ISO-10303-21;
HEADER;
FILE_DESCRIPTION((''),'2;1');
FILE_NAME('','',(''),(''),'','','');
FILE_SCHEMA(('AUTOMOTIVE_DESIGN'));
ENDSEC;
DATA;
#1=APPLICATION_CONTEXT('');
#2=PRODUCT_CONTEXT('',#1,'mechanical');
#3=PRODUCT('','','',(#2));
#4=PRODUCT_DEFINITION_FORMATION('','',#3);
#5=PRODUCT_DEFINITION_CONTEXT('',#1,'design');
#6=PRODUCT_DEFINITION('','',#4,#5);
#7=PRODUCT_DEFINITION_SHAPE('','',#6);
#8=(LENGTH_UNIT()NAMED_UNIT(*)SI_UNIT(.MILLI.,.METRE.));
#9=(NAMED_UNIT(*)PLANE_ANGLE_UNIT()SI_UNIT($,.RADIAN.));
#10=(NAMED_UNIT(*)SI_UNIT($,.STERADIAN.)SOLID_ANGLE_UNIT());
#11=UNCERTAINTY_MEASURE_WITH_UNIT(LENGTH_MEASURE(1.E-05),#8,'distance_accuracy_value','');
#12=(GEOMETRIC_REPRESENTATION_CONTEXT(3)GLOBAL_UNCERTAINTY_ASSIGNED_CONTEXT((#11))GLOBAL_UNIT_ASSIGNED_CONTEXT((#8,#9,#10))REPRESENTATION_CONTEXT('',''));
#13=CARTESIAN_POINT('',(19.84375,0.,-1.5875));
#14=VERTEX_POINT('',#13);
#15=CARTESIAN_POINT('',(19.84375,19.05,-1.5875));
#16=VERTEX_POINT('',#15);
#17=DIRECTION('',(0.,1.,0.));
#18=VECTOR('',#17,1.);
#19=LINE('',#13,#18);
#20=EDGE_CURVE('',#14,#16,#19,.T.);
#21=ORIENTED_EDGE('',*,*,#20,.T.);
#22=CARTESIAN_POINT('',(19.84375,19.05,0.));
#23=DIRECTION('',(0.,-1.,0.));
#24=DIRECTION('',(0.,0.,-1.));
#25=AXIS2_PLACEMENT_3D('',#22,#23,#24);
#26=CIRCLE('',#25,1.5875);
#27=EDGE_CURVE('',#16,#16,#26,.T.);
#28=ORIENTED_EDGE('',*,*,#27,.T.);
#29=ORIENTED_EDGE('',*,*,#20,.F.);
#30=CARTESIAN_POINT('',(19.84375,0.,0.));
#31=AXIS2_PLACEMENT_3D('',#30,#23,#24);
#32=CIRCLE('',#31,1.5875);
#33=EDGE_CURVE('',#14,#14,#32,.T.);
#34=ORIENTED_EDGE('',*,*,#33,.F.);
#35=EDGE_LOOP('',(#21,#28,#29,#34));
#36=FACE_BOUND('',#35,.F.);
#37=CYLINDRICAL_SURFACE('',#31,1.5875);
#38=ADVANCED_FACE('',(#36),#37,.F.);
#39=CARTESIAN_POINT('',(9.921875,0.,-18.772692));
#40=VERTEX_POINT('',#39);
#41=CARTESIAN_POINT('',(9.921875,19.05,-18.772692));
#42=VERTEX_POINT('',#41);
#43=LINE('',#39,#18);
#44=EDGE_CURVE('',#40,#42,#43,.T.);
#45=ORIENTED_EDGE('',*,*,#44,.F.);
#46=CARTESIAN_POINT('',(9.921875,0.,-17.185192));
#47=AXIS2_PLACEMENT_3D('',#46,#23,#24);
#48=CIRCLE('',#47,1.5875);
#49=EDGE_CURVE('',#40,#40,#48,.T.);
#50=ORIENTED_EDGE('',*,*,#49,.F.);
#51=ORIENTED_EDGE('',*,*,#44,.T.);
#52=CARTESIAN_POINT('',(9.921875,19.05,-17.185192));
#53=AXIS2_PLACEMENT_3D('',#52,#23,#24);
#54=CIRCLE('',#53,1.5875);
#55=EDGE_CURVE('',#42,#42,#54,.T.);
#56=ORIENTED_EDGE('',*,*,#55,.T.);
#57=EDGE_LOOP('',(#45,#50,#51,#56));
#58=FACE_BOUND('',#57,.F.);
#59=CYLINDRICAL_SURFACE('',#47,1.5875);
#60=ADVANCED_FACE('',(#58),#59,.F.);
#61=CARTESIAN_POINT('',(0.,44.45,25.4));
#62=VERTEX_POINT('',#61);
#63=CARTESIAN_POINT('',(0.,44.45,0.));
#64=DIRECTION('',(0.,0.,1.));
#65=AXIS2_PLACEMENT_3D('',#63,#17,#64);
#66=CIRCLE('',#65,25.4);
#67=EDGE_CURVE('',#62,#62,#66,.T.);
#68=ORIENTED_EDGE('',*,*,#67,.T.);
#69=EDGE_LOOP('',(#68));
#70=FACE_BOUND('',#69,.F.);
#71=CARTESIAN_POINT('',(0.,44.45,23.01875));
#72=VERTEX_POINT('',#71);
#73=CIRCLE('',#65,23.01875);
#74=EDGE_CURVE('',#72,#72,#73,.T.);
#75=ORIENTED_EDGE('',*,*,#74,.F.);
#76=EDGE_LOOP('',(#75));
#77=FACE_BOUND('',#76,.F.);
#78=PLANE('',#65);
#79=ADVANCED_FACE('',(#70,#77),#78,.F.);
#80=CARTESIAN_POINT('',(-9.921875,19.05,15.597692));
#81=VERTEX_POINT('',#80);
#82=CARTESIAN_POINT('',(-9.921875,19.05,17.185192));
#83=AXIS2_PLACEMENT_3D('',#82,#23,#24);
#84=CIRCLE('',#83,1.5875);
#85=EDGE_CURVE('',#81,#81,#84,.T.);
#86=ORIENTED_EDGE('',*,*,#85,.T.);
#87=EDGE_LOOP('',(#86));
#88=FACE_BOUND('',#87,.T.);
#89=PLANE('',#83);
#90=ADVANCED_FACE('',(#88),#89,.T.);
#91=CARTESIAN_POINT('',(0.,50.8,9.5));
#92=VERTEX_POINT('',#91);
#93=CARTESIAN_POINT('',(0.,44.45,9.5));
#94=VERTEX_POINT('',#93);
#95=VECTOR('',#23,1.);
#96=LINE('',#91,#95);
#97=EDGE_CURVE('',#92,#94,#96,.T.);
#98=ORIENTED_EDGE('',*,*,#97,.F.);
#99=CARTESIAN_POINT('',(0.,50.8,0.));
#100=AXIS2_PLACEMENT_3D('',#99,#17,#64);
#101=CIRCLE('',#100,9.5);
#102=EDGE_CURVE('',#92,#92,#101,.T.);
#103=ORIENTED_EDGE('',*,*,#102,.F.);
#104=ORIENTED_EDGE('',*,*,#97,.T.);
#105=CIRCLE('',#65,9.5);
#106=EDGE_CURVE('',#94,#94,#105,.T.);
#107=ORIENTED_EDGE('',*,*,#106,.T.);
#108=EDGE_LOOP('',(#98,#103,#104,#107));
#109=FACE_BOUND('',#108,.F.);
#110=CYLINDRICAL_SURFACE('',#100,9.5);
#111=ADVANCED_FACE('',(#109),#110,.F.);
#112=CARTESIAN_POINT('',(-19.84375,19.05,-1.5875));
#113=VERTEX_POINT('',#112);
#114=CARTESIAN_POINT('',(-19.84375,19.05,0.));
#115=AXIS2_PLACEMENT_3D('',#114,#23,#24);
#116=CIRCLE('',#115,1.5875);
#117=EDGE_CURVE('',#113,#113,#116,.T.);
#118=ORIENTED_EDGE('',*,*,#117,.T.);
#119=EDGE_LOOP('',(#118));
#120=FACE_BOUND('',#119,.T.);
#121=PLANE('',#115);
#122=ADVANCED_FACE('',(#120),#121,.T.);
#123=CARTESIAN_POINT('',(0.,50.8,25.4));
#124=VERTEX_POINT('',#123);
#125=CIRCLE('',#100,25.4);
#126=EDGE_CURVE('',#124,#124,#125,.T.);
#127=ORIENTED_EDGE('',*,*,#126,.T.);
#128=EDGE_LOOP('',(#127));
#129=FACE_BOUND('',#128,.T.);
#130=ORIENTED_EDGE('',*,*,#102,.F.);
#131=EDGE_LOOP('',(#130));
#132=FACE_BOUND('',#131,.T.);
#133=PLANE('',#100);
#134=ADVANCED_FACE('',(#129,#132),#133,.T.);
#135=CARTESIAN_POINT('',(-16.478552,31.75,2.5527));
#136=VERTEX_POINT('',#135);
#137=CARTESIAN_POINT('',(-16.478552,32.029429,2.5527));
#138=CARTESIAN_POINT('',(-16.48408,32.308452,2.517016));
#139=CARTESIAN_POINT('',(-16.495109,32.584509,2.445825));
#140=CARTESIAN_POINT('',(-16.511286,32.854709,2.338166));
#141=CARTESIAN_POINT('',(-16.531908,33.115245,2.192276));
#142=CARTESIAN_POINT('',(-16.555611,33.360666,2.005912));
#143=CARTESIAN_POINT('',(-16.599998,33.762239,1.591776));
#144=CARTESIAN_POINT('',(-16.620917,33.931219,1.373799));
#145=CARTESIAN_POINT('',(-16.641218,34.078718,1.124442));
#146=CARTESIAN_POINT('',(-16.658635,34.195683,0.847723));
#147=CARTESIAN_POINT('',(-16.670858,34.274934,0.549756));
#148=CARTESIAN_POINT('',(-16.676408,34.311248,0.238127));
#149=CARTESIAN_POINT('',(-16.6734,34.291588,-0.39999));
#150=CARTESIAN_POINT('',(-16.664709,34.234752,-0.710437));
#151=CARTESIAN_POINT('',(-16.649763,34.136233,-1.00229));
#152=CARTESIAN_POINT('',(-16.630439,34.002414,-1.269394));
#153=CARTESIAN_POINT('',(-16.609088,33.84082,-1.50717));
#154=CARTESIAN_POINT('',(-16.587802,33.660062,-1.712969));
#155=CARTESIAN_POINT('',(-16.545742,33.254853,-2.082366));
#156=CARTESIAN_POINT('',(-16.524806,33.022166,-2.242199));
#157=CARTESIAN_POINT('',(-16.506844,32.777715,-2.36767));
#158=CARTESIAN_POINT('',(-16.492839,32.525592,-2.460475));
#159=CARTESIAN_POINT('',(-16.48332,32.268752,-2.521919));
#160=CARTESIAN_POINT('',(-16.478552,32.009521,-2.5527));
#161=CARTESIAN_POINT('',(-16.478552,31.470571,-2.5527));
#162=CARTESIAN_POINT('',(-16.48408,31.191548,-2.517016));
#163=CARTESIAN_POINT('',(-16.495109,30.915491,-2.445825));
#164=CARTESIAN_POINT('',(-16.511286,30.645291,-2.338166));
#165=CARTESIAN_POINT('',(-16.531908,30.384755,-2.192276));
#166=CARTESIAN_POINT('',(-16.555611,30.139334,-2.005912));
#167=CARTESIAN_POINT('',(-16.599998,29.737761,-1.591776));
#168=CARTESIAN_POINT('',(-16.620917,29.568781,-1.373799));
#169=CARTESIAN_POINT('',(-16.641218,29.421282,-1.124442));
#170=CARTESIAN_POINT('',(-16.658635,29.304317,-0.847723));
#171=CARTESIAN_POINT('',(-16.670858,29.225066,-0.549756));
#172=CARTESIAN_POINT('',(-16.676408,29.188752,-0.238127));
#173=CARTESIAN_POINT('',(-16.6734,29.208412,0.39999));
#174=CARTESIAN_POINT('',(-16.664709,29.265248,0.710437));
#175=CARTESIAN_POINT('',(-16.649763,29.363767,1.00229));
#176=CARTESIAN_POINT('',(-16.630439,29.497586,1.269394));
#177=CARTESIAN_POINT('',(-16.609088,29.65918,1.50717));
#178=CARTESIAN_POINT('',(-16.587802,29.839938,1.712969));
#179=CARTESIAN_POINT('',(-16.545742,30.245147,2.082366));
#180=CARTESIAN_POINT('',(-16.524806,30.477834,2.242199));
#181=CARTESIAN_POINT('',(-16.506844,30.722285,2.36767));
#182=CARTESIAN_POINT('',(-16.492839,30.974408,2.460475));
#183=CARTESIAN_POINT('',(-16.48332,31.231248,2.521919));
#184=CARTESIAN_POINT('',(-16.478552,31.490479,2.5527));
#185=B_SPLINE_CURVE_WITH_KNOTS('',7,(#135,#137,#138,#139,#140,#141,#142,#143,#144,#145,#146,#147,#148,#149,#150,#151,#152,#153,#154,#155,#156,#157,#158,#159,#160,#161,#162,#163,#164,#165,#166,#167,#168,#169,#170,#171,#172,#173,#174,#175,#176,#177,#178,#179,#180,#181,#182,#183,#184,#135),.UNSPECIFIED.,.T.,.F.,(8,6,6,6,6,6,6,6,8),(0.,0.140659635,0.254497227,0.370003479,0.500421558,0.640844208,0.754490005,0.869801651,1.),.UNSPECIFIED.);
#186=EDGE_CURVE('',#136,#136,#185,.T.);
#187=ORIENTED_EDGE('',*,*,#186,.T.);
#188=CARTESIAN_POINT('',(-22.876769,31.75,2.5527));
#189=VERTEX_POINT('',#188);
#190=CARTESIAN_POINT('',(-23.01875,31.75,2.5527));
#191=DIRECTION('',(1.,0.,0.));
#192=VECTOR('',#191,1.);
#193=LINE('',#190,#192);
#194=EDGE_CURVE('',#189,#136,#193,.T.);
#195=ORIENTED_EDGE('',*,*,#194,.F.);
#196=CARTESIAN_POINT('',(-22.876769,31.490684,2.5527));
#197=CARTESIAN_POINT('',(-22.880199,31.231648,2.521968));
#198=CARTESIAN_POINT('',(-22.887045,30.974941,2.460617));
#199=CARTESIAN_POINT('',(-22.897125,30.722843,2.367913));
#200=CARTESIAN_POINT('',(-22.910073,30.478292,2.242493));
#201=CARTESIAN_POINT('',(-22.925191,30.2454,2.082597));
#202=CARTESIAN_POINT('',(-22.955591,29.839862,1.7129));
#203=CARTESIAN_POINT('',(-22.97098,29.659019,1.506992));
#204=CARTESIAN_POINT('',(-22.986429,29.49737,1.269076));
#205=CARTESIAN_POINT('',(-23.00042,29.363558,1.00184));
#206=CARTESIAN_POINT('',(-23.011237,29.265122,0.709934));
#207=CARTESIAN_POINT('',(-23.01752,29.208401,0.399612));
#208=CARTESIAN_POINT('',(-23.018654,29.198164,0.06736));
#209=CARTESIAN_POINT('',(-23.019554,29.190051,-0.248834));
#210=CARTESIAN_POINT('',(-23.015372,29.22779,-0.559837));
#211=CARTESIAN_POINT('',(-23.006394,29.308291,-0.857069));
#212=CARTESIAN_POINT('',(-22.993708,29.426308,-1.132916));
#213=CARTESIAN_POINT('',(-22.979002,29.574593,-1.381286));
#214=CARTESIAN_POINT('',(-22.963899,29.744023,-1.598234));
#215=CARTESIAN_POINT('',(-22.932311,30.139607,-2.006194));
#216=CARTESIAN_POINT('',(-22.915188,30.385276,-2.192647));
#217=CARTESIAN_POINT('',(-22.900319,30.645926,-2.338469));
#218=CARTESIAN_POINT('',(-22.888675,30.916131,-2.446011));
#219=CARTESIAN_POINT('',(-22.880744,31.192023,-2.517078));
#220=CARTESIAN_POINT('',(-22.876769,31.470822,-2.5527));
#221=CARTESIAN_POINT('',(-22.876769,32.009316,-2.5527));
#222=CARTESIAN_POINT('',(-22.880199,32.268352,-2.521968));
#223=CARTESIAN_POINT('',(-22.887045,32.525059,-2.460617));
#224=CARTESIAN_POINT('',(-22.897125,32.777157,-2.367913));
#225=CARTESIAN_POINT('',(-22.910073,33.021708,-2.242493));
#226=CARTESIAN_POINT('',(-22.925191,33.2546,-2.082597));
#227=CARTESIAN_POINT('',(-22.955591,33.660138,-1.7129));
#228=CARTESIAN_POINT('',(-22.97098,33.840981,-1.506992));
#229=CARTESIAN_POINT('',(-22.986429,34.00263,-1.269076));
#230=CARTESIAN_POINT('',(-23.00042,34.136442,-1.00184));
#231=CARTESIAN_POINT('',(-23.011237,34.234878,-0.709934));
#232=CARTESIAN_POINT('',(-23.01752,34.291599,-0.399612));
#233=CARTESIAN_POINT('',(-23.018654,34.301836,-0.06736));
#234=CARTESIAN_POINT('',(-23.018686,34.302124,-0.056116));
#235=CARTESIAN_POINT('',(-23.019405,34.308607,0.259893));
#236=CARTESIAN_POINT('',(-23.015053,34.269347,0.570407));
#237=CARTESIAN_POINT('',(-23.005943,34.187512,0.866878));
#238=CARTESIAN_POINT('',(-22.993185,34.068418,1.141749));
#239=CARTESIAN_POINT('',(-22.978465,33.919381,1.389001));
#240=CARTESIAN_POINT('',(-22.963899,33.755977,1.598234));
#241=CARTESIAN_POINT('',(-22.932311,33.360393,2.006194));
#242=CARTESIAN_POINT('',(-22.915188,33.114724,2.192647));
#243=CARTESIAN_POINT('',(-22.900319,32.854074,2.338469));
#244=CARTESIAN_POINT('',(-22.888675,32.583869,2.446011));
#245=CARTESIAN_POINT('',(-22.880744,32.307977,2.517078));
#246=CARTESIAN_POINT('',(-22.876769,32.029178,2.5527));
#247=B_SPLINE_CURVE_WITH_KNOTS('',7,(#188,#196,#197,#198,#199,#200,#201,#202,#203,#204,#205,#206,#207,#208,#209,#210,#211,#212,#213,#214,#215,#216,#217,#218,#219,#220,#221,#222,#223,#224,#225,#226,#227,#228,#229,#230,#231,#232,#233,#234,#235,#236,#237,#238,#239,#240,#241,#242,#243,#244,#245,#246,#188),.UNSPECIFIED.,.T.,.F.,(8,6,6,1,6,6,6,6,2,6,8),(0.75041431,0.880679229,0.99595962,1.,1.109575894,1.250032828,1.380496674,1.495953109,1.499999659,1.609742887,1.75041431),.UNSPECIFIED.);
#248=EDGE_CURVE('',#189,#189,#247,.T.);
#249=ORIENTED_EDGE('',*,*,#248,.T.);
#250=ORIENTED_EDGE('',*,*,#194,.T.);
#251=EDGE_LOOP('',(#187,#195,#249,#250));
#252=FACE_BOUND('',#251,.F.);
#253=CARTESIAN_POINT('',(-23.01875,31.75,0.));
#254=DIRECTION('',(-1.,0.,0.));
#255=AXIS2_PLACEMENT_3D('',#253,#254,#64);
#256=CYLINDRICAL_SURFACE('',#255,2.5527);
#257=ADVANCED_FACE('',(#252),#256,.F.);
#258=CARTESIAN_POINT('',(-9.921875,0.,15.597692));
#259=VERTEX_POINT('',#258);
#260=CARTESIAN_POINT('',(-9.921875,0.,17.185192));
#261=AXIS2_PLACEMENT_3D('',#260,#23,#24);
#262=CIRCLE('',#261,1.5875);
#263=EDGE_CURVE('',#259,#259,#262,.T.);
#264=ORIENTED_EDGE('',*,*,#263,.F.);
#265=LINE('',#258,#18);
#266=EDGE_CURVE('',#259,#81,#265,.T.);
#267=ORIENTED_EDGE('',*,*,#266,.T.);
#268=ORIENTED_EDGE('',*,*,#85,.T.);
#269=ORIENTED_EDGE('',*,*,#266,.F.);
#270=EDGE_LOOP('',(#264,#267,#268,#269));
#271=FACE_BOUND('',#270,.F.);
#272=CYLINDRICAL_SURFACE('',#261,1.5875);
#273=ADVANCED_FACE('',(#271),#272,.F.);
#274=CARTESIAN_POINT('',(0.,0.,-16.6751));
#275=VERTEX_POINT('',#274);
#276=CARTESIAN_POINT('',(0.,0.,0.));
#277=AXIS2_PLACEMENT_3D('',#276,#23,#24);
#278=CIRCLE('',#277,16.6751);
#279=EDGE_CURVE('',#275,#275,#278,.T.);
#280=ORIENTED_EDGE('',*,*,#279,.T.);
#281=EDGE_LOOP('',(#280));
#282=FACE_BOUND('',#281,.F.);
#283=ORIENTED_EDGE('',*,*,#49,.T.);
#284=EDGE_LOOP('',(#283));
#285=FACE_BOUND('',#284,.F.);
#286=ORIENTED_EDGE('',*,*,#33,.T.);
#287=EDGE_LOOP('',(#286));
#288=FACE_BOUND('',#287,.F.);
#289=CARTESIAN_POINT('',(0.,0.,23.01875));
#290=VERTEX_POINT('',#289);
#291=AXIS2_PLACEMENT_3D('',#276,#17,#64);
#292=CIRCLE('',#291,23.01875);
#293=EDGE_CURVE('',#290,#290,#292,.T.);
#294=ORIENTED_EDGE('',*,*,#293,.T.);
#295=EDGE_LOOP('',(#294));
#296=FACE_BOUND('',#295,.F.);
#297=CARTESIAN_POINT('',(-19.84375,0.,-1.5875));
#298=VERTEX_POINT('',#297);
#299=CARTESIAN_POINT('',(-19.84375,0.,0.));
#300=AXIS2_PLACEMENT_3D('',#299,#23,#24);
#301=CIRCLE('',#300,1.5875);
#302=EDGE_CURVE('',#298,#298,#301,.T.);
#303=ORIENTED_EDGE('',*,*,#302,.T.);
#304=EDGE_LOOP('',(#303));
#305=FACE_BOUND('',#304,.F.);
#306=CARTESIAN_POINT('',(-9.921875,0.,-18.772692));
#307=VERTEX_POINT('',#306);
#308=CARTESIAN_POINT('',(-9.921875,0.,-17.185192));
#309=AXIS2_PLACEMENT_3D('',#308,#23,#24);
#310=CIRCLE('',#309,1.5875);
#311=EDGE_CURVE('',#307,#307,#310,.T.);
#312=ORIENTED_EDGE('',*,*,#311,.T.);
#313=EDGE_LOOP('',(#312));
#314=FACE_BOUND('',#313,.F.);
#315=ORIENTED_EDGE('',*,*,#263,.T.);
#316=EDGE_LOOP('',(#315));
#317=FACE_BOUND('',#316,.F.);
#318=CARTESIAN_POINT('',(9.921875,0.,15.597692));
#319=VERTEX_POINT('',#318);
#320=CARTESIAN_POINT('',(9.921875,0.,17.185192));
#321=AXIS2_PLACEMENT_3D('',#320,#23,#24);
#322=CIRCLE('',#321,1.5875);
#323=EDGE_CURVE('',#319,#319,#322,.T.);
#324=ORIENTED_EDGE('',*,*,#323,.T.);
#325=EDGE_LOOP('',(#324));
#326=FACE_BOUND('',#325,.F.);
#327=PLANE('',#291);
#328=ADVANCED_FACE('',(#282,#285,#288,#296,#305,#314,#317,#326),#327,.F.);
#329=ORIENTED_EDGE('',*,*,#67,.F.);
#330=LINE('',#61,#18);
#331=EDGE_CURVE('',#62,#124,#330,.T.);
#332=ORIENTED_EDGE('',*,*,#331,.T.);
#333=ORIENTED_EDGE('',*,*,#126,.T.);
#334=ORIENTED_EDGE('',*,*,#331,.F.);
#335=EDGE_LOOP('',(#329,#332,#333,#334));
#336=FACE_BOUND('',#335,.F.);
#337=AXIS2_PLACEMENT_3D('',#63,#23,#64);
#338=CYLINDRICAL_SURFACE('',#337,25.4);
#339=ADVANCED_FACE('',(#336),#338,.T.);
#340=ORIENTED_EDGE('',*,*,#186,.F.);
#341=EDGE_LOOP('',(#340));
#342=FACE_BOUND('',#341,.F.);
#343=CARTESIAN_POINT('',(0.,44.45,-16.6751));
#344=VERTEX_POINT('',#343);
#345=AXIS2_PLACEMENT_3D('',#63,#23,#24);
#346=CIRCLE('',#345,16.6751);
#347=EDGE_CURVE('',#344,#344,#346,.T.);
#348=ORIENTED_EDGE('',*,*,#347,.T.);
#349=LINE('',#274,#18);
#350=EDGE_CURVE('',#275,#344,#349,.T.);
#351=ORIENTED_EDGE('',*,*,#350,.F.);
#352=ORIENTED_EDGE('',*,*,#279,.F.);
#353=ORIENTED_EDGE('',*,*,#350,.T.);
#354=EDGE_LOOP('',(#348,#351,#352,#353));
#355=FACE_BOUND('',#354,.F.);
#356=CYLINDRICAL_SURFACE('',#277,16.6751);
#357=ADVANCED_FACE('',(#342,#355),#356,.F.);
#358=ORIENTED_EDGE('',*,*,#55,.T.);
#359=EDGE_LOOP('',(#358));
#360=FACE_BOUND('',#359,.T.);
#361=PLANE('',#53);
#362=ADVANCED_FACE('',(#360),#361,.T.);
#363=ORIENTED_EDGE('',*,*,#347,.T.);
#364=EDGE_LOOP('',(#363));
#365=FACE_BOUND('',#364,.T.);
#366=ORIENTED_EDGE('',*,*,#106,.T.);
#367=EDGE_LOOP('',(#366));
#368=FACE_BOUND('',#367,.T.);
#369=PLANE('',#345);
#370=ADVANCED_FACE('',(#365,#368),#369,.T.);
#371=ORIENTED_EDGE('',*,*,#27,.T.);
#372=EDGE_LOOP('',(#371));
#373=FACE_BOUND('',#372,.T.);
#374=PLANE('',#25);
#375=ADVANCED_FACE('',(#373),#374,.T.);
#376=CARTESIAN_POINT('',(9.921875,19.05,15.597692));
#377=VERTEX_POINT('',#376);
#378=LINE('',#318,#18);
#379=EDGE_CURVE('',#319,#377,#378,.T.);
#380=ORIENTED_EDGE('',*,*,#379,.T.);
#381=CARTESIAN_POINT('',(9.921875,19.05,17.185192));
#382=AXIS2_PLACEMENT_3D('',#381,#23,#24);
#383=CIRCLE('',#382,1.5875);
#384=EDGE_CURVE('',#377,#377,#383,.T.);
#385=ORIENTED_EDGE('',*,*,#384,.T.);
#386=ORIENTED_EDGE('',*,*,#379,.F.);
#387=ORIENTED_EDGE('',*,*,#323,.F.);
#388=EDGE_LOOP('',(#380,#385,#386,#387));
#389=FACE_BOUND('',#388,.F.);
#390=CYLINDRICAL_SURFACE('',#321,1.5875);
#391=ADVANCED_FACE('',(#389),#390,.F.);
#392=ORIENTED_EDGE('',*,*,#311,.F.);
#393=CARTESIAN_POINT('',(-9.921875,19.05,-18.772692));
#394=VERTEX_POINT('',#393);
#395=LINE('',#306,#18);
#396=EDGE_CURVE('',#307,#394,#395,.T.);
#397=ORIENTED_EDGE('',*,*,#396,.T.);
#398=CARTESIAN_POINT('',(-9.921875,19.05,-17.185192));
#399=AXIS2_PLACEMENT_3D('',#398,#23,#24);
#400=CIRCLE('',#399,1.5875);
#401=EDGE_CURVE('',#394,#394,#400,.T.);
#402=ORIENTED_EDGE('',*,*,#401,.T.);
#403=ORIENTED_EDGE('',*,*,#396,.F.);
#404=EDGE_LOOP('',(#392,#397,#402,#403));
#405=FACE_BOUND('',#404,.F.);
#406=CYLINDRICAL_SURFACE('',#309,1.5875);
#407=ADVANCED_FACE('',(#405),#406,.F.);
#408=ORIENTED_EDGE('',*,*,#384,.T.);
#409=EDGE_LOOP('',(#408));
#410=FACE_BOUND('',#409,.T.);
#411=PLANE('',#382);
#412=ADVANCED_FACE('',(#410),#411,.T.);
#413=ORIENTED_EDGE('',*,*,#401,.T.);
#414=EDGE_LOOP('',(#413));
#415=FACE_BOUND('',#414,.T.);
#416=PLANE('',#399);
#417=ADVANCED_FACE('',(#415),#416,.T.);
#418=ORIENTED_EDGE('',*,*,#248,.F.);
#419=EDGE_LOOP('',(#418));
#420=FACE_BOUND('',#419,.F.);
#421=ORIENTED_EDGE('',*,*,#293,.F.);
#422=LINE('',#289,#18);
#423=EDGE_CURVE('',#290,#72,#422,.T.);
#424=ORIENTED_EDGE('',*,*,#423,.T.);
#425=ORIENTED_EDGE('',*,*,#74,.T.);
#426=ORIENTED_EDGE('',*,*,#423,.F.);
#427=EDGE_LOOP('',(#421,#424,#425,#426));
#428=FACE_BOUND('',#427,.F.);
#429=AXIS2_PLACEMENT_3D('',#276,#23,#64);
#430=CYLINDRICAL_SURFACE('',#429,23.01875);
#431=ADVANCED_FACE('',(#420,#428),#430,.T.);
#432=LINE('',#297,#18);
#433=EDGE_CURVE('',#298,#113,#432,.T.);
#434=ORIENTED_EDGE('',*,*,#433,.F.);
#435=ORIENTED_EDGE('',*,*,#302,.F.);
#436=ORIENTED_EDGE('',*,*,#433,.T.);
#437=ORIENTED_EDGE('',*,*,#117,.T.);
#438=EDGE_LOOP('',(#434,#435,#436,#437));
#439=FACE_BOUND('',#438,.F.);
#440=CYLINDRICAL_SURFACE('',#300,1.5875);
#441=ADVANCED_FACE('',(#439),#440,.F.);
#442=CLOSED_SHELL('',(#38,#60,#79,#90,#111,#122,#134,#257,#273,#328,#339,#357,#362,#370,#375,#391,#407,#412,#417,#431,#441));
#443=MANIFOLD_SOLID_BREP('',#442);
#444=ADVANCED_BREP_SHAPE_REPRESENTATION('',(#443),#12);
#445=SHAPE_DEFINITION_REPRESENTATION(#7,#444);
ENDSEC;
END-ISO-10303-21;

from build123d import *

# Parameters (mm, degrees)
SKETCH1_R                        = 23.01875
BOSS_EXTRUDE1_DEPTH              = 44.45
SKETCH2_R                        = 25.4
BOSS_EXTRUDE2_DEPTH              = 6.35
SKETCH3_R                        = 9.5
CUT_EXTRUDE1_DEPTH               = 63.217039467
SKETCH4_R                        = 16.6751
CUT_EXTRUDE2_DEPTH               = 44.45
SKETCH5_R                        = 1.5875
CUT_EXTRUDE3_DEPTH               = 19.05
TAP_DRILL_FOR_1_4_20_TAP1_REACH  = 76.634
TAP_DRILL_FOR_1_4_20_TAP1_BORE_R = 2.5527


with BuildPart() as part:
    # Sketch1 → Boss-Extrude1 (new body)
    with BuildSketch(Plane(origin=(0, 0, 0), x_dir=(1, 0, 0), z_dir=(0, 1, 0))):
        with Locations(Location((0, 0, 0), (0, 0, 270))):
            Circle(SKETCH1_R)
    extrude(amount=BOSS_EXTRUDE1_DEPTH)

    # Sketch2 → Boss-Extrude2 (add)
    with BuildSketch(Plane(origin=(0, 44.45, 0), x_dir=(1, 0, 0), z_dir=(0, 1, 0))):
        with Locations(Location((0, 0, 0), (0, 0, 270))):
            Circle(SKETCH2_R)
    extrude(amount=BOSS_EXTRUDE2_DEPTH)

    # Sketch3 → Cut-Extrude1 (cut, through all)
    with BuildSketch(Plane(origin=(0, 50.8, 0), x_dir=(1, 0, 0), z_dir=(0, 1, 0))):
        with Locations(Location((0, 0, 0), (0, 0, 270))):
            Circle(SKETCH3_R)
    extrude(amount=-CUT_EXTRUDE1_DEPTH, mode=Mode.SUBTRACT)

    # Sketch4 → Cut-Extrude2 (cut)
    with BuildSketch(Plane.XZ):
        with Locations(Location((0, 0, 0), (0, 0, 270))):
            Circle(SKETCH4_R)
    extrude(amount=-CUT_EXTRUDE2_DEPTH, mode=Mode.SUBTRACT)

    # Sketch5 → Cut-Extrude3 (cut)
    with BuildSketch(Plane.XZ):
        with Locations(Location((19.84375, 0, 0), (0, 0, 270))):
            Circle(SKETCH5_R)
        with Locations(Location((9.921875, -17.185191606, 0), (0, 0, 270))):
            Circle(SKETCH5_R)
        with Locations(Location((-9.921875, -17.185191606, 0), (0, 0, 270))):
            Circle(SKETCH5_R)
        with Locations(Location((-19.84375, 0, 0), (0, 0, 270))):
            Circle(SKETCH5_R)
        with Locations(Location((-9.921875, 17.185191606, 0), (0, 0, 270))):
            Circle(SKETCH5_R)
        with Locations(Location((9.921875, 17.185191606, 0), (0, 0, 270))):
            Circle(SKETCH5_R)
    extrude(amount=-CUT_EXTRUDE3_DEPTH, mode=Mode.SUBTRACT)

    # Tap Drill for 1/4-20 Tap1 bore → Tap Drill for 1/4-20 Tap1 (cut, up to next)
    with BuildSketch(Plane.ZY.offset(23.01875), mode=Mode.PRIVATE) as tap_drill_for_1_4_20_tap1_sk1:
        with Locations((0, 31.75)):
            Circle(TAP_DRILL_FOR_1_4_20_TAP1_BORE_R)
    tap_drill_for_1_4_20_tap1_tool1 = extrude(tap_drill_for_1_4_20_tap1_sk1.sketch, amount=-TAP_DRILL_FOR_1_4_20_TAP1_REACH, mode=Mode.PRIVATE) & part.part
    add(tap_drill_for_1_4_20_tap1_tool1.solids().sort_by_distance((-23.01875, 31.75, 0))[0], mode=Mode.SUBTRACT)


solid = part.part
